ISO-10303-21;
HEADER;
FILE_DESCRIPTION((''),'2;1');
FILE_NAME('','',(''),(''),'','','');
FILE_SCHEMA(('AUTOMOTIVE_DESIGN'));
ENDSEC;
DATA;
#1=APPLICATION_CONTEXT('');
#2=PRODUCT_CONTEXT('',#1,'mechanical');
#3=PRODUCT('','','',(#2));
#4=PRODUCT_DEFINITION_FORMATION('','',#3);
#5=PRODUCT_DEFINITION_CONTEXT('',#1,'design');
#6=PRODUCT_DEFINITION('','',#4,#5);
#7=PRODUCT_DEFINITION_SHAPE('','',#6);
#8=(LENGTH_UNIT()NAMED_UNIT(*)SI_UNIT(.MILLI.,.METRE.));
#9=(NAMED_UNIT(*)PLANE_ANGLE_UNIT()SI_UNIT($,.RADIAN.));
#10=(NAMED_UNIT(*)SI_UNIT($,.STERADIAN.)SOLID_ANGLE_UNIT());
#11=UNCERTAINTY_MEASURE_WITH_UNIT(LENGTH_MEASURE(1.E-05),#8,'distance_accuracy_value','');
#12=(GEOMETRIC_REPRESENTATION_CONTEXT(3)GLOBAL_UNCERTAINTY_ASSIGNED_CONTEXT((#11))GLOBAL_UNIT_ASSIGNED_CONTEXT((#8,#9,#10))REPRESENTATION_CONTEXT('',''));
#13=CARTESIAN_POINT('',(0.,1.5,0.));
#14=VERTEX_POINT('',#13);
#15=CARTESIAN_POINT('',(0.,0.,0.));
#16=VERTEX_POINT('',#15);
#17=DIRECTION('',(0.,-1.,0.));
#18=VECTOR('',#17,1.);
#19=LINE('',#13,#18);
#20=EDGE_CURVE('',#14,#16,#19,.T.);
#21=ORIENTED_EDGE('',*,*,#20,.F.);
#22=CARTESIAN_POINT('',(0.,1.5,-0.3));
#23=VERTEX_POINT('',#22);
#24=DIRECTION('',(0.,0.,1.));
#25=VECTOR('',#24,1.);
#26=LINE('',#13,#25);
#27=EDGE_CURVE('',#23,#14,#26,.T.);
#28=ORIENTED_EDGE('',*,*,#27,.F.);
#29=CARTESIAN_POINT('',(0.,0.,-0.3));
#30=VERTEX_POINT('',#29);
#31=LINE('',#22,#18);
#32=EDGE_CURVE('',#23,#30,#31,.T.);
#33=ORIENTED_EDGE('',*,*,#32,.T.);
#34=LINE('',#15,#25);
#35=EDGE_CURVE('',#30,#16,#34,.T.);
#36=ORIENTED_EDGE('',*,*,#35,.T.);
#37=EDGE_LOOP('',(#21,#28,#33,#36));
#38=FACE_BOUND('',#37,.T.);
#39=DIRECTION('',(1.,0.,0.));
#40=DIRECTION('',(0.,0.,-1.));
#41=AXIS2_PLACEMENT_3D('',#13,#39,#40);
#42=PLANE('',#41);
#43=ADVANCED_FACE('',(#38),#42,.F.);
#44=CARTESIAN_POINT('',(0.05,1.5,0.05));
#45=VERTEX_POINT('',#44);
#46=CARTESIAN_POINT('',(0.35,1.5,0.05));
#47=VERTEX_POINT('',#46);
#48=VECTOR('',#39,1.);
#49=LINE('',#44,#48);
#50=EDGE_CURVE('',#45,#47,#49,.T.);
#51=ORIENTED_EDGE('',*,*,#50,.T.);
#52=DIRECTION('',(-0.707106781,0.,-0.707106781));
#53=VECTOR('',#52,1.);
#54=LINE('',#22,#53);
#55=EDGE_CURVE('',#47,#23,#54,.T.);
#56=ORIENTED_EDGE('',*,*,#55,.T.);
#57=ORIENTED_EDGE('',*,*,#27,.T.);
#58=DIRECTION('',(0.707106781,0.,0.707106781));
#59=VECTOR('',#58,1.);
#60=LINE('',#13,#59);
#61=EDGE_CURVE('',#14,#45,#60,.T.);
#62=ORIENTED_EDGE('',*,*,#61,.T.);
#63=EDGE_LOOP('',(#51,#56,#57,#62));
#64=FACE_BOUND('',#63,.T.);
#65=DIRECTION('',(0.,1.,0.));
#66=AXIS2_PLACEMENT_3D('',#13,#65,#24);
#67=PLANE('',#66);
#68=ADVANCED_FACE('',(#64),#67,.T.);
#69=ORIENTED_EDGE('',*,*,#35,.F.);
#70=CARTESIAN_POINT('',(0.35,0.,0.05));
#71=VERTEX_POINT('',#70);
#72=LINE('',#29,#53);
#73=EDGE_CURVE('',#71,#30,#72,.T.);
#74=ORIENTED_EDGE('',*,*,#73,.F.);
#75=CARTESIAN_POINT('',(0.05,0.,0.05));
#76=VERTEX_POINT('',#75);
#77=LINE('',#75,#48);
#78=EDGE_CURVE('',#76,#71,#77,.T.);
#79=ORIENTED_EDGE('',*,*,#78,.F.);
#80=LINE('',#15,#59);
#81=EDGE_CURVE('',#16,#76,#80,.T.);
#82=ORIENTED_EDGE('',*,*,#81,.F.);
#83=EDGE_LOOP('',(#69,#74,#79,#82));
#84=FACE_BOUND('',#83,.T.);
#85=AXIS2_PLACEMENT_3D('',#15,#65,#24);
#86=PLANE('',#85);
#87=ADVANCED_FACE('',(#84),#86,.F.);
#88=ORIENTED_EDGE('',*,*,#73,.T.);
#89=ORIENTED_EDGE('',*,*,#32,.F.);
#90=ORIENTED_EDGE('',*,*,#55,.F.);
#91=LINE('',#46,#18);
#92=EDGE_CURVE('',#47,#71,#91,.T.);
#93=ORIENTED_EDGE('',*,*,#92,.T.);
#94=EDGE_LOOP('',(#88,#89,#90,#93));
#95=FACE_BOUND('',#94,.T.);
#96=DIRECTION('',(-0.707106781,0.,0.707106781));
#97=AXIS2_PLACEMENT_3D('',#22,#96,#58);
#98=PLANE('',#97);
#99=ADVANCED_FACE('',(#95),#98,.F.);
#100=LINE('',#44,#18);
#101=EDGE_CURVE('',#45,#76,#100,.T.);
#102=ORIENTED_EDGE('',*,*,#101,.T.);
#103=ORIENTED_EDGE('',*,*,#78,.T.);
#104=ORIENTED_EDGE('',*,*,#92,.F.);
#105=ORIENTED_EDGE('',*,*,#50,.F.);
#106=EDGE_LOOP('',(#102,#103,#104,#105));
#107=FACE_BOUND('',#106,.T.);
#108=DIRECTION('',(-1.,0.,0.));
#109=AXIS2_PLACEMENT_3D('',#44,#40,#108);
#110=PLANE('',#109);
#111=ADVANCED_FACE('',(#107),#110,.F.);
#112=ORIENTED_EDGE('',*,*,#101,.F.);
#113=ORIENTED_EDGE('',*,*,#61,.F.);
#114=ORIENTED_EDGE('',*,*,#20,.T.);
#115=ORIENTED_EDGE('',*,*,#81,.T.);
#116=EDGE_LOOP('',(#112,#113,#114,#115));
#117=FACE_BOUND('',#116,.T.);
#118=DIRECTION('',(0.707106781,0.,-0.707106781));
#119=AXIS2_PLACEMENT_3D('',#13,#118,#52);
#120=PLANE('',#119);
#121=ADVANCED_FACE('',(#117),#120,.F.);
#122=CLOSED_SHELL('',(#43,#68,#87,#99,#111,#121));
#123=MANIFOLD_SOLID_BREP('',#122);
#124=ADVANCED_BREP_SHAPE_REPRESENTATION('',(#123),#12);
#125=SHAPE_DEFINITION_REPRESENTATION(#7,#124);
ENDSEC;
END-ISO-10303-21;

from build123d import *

# Parameters (mm, degrees)
BOSS_EXTRUDE1_DEPTH = 1.5


with BuildPart() as part:
    # Sketch1 → Boss-Extrude1 (new body)
    with BuildSketch(Plane(origin=(0, 0, 0), x_dir=(1, 0, 0), z_dir=(0, 1, 0))):
        Polygon((0, 0), (0, 0.3), (0.35, -0.05), (0.05, -0.05), align=None)
    extrude(amount=BOSS_EXTRUDE1_DEPTH)


solid = part.part
